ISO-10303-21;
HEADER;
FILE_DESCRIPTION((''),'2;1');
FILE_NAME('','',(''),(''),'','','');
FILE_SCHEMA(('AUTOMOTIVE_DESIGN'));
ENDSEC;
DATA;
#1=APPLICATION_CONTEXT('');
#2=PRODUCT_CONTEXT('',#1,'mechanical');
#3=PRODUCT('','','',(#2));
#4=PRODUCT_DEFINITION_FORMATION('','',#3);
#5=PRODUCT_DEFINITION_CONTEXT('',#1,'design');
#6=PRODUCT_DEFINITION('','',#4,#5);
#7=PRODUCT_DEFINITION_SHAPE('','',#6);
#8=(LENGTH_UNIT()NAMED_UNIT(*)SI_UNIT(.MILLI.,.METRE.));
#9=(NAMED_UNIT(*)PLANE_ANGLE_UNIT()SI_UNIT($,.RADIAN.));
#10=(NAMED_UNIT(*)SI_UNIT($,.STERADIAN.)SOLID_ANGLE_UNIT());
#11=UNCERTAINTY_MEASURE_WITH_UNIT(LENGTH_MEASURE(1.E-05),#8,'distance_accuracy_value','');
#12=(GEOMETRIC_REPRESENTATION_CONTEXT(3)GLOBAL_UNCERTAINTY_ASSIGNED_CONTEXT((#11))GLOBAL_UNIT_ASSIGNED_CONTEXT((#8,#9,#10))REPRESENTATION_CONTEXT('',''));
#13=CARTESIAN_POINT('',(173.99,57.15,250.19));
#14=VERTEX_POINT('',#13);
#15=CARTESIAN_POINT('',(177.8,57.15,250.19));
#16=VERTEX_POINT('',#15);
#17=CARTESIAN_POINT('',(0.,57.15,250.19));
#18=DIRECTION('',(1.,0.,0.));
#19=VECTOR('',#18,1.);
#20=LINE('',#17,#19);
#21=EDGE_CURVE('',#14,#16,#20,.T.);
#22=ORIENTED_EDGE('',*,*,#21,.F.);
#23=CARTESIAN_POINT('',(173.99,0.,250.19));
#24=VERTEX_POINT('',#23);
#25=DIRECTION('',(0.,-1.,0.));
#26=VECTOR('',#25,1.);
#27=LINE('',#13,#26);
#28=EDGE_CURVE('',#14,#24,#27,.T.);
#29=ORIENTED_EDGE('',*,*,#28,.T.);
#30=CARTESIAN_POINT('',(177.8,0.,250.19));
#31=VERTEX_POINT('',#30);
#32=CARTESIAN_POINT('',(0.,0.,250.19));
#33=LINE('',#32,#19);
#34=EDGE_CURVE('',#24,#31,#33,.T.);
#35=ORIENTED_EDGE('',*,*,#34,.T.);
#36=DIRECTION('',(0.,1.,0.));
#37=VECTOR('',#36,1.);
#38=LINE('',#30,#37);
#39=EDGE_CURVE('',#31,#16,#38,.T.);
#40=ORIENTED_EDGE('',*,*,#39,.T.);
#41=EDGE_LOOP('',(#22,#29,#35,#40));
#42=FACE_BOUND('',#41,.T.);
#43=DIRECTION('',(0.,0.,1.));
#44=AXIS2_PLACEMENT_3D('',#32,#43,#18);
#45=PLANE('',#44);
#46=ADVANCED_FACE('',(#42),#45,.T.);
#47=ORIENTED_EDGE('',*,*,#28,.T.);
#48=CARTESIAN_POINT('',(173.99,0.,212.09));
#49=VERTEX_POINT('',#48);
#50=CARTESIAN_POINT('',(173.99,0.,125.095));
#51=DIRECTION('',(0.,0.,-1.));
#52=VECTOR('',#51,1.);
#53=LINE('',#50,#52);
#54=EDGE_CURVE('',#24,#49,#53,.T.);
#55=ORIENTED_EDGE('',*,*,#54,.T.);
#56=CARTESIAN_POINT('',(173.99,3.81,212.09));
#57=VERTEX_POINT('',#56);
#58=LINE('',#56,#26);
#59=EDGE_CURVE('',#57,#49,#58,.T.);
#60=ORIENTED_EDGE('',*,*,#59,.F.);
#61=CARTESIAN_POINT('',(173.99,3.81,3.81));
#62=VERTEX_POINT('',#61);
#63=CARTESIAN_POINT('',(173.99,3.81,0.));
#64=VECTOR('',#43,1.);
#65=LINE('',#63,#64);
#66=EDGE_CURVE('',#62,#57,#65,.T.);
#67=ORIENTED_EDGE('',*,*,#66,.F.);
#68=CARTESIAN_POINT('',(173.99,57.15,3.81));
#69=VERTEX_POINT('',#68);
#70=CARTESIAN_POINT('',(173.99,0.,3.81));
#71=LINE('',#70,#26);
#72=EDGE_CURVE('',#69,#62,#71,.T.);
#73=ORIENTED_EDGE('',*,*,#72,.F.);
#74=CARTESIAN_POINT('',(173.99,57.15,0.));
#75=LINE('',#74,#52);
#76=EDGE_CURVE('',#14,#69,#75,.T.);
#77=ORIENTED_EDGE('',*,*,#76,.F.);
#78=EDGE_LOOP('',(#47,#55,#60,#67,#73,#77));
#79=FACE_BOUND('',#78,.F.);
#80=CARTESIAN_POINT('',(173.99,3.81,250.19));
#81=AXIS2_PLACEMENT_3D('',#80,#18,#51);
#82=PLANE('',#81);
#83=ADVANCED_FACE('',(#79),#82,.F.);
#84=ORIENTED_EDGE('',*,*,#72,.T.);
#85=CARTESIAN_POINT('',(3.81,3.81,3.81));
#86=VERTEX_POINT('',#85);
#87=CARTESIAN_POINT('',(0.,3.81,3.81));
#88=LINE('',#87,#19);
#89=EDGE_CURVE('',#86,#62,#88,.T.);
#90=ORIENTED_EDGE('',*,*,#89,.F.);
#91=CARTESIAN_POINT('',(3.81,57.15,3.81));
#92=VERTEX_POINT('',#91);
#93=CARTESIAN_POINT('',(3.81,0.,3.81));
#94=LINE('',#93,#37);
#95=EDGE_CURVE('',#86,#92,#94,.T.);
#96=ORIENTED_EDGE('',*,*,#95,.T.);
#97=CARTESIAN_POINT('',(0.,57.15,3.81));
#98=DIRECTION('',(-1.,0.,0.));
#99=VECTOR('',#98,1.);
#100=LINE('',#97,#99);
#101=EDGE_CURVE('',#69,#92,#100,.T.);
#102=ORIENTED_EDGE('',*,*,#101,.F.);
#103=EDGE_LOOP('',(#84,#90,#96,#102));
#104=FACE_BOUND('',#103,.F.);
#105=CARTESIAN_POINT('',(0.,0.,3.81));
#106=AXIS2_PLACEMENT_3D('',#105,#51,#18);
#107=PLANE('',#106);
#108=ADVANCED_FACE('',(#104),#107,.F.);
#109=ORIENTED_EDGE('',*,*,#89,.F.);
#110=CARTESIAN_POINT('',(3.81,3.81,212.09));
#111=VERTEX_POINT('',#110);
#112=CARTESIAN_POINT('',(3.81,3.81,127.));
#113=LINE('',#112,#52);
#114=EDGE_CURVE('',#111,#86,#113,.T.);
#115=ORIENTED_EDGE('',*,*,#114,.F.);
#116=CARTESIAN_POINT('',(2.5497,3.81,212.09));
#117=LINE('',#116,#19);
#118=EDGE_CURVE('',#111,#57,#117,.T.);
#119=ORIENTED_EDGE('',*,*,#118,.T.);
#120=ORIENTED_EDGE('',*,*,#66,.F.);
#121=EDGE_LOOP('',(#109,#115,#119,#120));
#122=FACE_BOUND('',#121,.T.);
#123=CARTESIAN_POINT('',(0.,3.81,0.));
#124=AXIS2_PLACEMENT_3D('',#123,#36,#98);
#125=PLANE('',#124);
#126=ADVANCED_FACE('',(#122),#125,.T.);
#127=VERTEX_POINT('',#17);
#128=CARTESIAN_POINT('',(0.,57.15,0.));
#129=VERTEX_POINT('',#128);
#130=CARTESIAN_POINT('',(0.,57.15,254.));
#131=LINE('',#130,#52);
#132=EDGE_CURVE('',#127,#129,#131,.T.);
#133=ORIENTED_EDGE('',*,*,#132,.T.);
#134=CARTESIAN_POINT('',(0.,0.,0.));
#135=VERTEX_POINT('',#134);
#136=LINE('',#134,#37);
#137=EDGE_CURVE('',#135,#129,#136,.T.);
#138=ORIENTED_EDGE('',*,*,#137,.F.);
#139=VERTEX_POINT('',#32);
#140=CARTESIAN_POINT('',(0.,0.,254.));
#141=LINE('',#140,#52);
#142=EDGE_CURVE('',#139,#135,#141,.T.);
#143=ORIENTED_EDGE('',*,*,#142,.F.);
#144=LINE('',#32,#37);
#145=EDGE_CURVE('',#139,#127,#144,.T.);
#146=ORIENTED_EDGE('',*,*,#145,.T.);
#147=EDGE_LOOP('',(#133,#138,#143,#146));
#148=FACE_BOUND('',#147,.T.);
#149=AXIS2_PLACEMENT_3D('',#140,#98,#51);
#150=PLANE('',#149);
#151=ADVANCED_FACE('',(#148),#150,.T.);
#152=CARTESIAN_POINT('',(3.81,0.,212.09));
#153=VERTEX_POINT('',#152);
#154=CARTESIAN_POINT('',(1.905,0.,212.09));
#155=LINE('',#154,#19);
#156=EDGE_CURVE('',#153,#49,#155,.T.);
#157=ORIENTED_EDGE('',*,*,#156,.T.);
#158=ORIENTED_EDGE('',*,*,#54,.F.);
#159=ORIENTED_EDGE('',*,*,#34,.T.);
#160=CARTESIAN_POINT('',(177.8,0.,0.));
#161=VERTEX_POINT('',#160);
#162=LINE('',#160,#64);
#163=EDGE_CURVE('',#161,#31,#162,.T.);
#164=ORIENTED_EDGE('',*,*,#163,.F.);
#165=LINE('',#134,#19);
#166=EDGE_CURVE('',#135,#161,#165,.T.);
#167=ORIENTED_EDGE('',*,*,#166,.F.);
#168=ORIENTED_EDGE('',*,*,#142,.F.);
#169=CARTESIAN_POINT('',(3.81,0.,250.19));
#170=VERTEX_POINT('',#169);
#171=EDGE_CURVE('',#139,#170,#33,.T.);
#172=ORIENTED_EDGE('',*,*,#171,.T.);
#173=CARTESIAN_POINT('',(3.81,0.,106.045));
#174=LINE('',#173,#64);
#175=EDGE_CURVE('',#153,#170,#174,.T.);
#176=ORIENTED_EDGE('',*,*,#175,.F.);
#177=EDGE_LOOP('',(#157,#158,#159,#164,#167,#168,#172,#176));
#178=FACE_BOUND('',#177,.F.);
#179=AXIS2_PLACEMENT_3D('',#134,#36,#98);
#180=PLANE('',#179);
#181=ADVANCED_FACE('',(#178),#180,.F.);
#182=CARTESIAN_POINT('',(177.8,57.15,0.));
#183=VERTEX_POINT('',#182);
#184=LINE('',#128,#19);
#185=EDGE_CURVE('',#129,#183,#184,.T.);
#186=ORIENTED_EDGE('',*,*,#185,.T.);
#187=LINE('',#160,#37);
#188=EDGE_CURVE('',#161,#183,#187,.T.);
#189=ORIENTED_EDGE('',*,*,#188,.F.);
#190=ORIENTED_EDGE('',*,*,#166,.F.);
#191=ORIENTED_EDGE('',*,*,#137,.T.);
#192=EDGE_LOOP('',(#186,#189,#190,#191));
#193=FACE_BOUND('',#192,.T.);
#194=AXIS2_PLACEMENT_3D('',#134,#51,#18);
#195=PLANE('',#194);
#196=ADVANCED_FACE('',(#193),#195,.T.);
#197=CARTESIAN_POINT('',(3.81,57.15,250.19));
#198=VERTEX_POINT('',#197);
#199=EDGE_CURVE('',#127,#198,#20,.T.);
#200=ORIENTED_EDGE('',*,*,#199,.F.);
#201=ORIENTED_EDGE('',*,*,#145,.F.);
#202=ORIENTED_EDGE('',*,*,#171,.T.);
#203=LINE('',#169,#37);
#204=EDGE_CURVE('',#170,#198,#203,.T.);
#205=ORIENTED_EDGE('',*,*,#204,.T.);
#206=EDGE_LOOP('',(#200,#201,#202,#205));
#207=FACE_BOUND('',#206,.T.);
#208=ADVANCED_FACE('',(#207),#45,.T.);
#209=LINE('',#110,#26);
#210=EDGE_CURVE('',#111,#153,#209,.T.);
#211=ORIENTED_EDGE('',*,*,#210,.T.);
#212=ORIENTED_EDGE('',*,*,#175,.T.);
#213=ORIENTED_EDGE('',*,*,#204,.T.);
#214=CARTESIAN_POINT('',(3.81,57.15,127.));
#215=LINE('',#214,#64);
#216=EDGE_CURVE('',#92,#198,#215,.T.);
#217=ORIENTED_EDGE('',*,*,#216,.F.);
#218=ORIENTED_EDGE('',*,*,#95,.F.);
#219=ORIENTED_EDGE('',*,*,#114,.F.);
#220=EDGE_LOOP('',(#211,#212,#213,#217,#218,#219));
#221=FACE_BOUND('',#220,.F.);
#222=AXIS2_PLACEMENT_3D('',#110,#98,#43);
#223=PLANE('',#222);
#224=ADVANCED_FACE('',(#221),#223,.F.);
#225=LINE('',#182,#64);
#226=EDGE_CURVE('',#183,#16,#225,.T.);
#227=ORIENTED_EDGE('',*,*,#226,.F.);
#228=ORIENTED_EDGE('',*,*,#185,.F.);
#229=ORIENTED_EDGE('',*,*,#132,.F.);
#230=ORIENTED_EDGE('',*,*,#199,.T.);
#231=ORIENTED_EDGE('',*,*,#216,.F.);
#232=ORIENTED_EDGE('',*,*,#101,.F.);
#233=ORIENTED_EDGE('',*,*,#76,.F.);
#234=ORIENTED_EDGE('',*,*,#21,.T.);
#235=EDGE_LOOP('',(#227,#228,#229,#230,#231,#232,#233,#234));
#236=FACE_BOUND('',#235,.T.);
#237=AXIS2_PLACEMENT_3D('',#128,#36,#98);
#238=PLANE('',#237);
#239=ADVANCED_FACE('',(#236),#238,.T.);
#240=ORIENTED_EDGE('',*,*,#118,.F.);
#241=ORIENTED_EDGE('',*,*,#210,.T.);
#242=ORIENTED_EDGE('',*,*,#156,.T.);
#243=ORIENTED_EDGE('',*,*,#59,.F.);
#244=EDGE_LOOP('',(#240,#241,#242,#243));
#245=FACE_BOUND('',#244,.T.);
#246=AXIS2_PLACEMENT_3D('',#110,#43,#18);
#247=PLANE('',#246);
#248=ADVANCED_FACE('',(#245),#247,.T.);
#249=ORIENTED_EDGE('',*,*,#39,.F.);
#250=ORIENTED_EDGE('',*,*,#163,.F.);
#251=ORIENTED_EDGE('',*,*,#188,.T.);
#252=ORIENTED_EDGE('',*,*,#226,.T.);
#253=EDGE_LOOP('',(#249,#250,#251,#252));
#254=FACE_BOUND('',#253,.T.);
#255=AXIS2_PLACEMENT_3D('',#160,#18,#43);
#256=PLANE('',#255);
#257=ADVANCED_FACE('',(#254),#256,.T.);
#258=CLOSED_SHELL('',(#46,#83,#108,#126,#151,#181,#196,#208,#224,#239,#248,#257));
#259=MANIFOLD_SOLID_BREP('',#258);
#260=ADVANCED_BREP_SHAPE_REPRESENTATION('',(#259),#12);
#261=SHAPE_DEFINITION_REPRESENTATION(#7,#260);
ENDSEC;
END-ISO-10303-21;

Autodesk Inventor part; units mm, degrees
ref_plane "YZ Plane" through (0, 0, 0) normal (1, 0, 0) x (0, 1, 0)
ref_plane "XZ Plane" through (0, 0, 0) normal (0, 1, 0) x (-1, 0, 0)
ref_plane "XY Plane" through (0, 0, 0) normal (0, 0, 1) x (1, 0, 0)
sketch "Sketch1" plane through (0, 0, 0) normal (0, 1, 0) x (-1, 0, 0)
  line L0 (0, 0) -> (-177.8, 0)
  line L1 (-177.8, 0) -> (-177.8, 254)
  line L2 (-177.8, 254) -> (0, 254)
  line L3 (0, 254) -> (0, 0)
  dimension "d0" = 177.8
  dimension "d1" = 254
extrude "Extrusion1" add sketch "Sketch1" along normal blind 57.15
shell "Shell1" thickness 3.81 removed faces 1 at (118.5333, 57.15, 169.3333)
sketch "Sketch2" plane through (0, 0, 254) normal (0, 0, 1) x (1, 0, 0)
  line L0 (0, 0) -> (177.8, 0) projected
  line L1 (177.8, 0) -> (177.8, 57.15) projected
  line L2 (0, 57.15) -> (177.8, 57.15) projected
  line L3 (0, 0) -> (0, 57.15) projected
extrude "Extrusion2" cut sketch "Sketch2" against normal up to surface (3.81 mm away)
sketch "Sketch3" plane through (3.81, 3.81, 3.81) normal (0, 1, 0) x (1, 0, 0)
  line L0 (0, -246.38) -> (170.18, -246.38) projected
  line L1 (170.18, -246.38) -> (170.18, 0) projected
  line L2 (0, 0) -> (0, -246.38) projected
  line L3 (170.18, -246.38) -> (-1.2603, -246.38)
  line L4 (-1.2603, -246.38) -> (-1.2603, -208.28)
  line L5 (-1.2603, -208.28) -> (170.18, -208.28)
  line L6 (170.18, -208.28) -> (170.18, -246.38)
  point P0 (-3.81, 3.81)
  point P1 (0, -208.28)
  dimension "d7" = 38.1
extrude "Extrusion3" cut sketch "Sketch3" against normal through all contours L2 L5 L1 L0
properties part number "Component box top"
